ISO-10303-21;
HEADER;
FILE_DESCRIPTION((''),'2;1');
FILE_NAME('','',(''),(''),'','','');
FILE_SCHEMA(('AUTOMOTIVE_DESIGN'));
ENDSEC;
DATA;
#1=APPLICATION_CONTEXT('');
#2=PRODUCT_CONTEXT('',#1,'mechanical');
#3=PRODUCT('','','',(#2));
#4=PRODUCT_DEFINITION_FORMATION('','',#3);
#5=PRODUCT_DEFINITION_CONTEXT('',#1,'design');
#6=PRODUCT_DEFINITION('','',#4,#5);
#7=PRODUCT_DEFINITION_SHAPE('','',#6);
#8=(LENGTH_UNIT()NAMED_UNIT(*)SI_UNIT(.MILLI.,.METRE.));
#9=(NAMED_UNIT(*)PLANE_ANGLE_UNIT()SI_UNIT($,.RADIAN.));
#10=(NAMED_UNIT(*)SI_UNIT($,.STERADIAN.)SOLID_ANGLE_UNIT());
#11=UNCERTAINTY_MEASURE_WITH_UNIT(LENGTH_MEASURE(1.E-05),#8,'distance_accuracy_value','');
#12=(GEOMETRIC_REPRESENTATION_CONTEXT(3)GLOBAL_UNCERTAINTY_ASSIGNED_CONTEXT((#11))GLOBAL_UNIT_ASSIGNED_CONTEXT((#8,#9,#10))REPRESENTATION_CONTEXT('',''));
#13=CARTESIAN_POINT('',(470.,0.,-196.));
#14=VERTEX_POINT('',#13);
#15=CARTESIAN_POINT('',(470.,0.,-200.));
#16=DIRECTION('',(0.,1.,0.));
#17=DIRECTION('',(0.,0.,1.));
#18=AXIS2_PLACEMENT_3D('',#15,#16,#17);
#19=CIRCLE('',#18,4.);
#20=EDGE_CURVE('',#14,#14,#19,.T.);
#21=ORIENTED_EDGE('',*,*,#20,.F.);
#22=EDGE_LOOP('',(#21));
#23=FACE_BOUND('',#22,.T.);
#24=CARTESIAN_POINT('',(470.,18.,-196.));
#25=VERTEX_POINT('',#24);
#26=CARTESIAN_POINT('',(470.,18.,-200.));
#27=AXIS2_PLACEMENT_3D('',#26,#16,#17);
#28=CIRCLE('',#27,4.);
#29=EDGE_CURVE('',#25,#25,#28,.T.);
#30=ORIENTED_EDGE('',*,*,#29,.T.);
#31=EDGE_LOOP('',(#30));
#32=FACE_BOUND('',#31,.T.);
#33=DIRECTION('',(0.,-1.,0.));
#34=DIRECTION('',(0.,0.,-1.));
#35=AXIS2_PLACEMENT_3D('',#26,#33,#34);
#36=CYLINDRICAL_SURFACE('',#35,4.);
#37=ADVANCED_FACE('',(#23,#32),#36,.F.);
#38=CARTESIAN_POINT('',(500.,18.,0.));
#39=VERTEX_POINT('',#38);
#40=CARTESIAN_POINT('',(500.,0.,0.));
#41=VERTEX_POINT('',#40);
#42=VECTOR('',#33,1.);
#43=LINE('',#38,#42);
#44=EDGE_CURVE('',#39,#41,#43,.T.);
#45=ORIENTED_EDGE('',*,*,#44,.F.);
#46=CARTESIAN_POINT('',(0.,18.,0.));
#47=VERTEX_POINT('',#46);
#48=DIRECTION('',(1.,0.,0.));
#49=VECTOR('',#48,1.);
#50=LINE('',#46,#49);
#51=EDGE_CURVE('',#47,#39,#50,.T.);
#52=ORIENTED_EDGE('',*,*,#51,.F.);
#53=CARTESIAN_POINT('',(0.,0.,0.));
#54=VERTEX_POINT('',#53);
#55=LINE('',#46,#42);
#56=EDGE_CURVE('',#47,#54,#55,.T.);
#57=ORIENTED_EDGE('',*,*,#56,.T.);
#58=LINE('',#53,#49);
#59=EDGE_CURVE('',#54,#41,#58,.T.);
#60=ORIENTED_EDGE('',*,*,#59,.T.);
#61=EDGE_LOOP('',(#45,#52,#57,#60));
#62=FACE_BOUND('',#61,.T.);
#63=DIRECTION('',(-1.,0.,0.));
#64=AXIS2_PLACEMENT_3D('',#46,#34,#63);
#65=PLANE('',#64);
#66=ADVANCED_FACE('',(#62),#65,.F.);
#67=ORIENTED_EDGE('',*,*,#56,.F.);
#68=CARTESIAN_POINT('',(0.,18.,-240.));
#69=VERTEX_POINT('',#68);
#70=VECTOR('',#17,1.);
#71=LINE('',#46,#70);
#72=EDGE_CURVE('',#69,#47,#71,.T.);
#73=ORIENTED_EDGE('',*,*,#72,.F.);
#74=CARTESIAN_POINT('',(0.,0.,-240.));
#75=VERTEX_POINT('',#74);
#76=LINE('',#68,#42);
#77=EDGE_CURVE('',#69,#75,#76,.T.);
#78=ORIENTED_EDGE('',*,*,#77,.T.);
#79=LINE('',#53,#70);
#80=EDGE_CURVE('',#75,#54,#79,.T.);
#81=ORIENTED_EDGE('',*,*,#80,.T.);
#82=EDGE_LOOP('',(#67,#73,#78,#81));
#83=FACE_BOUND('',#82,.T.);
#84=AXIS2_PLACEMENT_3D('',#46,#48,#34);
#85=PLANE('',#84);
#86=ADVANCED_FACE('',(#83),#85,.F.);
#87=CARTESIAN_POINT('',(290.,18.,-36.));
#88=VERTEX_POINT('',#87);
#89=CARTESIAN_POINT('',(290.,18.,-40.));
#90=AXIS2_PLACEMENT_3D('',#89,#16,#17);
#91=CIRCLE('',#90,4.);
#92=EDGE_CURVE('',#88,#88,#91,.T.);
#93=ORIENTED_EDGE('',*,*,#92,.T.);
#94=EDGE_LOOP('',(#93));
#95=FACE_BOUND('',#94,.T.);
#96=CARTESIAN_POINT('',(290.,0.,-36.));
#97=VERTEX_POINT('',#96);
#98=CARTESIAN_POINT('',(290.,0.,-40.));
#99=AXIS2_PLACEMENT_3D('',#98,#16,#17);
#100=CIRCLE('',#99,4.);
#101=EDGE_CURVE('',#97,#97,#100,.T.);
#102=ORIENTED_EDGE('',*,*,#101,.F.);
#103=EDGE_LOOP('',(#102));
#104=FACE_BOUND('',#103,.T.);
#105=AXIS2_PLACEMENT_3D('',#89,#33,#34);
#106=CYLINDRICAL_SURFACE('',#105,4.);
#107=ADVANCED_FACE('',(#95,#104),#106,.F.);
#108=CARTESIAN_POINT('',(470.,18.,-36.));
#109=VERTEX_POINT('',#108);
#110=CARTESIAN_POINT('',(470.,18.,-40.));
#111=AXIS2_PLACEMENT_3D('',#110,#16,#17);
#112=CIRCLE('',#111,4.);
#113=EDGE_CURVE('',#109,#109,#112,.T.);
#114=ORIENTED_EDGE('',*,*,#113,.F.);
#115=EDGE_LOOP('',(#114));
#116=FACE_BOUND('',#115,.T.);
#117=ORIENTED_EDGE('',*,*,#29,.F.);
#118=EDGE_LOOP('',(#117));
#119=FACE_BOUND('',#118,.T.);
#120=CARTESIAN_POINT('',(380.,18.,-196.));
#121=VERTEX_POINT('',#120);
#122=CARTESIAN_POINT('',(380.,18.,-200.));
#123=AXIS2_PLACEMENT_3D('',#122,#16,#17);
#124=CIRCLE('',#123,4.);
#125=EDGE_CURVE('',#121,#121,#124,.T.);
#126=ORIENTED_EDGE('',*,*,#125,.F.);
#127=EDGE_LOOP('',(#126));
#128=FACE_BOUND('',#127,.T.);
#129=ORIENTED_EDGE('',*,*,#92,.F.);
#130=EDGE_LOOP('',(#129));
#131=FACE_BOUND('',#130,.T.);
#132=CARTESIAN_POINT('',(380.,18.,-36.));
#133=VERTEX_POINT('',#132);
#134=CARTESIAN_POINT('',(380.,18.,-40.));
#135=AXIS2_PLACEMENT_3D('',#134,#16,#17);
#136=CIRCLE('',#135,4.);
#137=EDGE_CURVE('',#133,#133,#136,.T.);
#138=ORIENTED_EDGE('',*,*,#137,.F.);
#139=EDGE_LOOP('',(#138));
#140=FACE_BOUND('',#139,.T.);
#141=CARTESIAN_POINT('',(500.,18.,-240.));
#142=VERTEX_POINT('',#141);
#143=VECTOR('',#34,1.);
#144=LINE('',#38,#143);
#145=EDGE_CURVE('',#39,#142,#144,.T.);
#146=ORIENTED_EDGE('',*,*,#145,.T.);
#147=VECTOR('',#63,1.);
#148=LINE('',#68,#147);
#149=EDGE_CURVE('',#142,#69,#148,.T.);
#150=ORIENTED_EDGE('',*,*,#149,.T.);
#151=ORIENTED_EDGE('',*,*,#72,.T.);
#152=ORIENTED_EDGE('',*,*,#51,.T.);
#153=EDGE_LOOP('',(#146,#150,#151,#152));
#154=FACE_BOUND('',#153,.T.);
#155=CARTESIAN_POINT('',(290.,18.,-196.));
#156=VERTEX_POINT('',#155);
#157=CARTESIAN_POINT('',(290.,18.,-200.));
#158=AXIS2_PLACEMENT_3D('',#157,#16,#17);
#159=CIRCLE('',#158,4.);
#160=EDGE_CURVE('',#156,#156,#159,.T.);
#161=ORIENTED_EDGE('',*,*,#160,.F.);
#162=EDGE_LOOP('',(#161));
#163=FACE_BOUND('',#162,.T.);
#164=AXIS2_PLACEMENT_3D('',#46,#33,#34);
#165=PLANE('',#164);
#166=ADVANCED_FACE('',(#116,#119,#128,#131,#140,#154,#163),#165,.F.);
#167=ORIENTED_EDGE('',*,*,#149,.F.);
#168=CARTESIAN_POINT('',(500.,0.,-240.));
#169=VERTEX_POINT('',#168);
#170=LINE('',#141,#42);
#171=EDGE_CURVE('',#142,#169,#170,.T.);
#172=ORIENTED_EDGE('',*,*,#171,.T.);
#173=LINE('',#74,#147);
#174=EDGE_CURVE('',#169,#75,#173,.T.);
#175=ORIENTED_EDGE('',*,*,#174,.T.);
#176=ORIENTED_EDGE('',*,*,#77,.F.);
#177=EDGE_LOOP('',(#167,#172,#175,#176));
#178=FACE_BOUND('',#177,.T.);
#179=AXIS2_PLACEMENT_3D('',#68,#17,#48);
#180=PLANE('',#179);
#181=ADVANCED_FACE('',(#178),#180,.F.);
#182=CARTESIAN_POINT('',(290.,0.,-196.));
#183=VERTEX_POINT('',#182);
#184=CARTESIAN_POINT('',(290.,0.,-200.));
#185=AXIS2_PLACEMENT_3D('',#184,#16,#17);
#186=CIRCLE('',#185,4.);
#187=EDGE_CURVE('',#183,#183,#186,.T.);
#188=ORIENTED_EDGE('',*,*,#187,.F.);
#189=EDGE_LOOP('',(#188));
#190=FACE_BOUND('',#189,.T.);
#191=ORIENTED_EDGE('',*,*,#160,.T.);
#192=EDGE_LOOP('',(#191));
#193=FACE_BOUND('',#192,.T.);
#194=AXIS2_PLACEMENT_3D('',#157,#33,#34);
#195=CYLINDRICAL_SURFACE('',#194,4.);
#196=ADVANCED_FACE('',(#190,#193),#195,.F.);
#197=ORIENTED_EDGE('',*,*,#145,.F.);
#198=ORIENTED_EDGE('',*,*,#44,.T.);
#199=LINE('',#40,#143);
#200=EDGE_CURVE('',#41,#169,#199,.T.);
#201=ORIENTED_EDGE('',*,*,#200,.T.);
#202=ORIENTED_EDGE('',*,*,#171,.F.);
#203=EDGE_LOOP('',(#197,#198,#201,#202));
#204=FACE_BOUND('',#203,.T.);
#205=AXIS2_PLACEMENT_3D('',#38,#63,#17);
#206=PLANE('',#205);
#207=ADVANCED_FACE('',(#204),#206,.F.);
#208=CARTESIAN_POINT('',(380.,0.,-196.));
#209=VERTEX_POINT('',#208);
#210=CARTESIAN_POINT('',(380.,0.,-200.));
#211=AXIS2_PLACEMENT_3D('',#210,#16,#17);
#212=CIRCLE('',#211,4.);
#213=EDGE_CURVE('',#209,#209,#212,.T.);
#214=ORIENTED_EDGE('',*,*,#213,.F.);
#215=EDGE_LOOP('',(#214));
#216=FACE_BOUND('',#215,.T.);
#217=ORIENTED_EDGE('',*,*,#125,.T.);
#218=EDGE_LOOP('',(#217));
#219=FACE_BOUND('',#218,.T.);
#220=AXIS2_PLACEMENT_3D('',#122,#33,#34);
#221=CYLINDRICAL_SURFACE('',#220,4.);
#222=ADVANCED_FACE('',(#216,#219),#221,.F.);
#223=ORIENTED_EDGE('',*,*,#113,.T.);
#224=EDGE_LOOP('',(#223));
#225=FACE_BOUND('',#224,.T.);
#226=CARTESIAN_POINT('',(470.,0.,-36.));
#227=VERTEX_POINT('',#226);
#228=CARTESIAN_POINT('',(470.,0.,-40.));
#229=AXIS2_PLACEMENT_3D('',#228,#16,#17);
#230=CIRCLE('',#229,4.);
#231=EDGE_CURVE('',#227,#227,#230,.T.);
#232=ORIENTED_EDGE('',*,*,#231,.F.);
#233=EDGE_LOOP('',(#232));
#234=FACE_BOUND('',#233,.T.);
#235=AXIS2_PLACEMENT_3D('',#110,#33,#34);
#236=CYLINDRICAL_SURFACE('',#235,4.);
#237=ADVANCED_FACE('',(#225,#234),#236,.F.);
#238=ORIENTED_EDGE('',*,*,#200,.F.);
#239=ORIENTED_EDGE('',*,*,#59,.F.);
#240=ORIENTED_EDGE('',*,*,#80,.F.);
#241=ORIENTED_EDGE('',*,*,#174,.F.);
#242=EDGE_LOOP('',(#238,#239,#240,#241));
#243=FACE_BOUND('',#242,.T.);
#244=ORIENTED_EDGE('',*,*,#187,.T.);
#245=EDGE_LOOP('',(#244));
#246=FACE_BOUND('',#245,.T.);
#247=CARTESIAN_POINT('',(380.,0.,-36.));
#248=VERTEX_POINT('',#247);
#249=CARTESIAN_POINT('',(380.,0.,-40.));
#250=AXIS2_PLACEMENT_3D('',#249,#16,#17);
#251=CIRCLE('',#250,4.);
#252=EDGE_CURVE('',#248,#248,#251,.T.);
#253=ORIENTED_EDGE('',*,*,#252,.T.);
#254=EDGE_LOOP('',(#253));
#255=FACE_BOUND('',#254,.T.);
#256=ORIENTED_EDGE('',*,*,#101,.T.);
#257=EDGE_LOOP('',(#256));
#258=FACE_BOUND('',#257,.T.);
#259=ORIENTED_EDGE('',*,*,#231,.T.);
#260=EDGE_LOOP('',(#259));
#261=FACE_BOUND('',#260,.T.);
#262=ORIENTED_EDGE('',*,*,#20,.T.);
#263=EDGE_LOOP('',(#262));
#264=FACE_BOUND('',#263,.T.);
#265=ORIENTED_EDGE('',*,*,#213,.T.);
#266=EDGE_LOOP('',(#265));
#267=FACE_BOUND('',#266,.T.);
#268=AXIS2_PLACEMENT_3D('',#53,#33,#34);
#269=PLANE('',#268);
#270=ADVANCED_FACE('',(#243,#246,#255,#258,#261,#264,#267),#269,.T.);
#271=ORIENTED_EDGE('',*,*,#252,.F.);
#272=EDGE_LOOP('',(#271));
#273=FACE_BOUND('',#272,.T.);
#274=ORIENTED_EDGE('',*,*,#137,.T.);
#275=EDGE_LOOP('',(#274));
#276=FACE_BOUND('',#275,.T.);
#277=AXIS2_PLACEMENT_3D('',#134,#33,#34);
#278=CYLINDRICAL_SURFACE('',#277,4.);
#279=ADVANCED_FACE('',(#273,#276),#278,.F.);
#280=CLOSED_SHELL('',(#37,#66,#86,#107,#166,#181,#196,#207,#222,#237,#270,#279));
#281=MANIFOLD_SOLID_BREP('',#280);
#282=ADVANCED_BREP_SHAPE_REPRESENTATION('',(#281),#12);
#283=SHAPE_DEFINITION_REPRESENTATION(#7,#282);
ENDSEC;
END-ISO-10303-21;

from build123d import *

# Parameters (mm, degrees)
SKETCH_1_W      = 500
SKETCH_1_H      = 240
SKETCH_1_R      = 4
EXTRUDE_1_DEPTH = 18


with BuildPart() as part:
    # Эскиз1 → Бобышка-Вытянуть1 (new body)
    with BuildSketch(Plane(origin=(0, 0, 0), x_dir=(1, 0, 0), z_dir=(0, 1, 0))):
        with Locations((250, 120)):
            Rectangle(SKETCH_1_W, SKETCH_1_H)
        with Locations(Location((470, 200, 0), (0, 0, 270))):
            Circle(SKETCH_1_R, mode=Mode.SUBTRACT)
        with Locations(Location((380, 200, 0), (0, 0, 270))):
            Circle(SKETCH_1_R, mode=Mode.SUBTRACT)
        with Locations(Location((290, 200, 0), (0, 0, 270))):
            Circle(SKETCH_1_R, mode=Mode.SUBTRACT)
        with Locations(Location((470, 40, 0), (0, 0, 270))):
            Circle(SKETCH_1_R, mode=Mode.SUBTRACT)
        with Locations(Location((380, 40, 0), (0, 0, 270))):
            Circle(SKETCH_1_R, mode=Mode.SUBTRACT)
        with Locations(Location((290, 40, 0), (0, 0, 270))):
            Circle(SKETCH_1_R, mode=Mode.SUBTRACT)
    extrude(amount=EXTRUDE_1_DEPTH)


solid = part.part
